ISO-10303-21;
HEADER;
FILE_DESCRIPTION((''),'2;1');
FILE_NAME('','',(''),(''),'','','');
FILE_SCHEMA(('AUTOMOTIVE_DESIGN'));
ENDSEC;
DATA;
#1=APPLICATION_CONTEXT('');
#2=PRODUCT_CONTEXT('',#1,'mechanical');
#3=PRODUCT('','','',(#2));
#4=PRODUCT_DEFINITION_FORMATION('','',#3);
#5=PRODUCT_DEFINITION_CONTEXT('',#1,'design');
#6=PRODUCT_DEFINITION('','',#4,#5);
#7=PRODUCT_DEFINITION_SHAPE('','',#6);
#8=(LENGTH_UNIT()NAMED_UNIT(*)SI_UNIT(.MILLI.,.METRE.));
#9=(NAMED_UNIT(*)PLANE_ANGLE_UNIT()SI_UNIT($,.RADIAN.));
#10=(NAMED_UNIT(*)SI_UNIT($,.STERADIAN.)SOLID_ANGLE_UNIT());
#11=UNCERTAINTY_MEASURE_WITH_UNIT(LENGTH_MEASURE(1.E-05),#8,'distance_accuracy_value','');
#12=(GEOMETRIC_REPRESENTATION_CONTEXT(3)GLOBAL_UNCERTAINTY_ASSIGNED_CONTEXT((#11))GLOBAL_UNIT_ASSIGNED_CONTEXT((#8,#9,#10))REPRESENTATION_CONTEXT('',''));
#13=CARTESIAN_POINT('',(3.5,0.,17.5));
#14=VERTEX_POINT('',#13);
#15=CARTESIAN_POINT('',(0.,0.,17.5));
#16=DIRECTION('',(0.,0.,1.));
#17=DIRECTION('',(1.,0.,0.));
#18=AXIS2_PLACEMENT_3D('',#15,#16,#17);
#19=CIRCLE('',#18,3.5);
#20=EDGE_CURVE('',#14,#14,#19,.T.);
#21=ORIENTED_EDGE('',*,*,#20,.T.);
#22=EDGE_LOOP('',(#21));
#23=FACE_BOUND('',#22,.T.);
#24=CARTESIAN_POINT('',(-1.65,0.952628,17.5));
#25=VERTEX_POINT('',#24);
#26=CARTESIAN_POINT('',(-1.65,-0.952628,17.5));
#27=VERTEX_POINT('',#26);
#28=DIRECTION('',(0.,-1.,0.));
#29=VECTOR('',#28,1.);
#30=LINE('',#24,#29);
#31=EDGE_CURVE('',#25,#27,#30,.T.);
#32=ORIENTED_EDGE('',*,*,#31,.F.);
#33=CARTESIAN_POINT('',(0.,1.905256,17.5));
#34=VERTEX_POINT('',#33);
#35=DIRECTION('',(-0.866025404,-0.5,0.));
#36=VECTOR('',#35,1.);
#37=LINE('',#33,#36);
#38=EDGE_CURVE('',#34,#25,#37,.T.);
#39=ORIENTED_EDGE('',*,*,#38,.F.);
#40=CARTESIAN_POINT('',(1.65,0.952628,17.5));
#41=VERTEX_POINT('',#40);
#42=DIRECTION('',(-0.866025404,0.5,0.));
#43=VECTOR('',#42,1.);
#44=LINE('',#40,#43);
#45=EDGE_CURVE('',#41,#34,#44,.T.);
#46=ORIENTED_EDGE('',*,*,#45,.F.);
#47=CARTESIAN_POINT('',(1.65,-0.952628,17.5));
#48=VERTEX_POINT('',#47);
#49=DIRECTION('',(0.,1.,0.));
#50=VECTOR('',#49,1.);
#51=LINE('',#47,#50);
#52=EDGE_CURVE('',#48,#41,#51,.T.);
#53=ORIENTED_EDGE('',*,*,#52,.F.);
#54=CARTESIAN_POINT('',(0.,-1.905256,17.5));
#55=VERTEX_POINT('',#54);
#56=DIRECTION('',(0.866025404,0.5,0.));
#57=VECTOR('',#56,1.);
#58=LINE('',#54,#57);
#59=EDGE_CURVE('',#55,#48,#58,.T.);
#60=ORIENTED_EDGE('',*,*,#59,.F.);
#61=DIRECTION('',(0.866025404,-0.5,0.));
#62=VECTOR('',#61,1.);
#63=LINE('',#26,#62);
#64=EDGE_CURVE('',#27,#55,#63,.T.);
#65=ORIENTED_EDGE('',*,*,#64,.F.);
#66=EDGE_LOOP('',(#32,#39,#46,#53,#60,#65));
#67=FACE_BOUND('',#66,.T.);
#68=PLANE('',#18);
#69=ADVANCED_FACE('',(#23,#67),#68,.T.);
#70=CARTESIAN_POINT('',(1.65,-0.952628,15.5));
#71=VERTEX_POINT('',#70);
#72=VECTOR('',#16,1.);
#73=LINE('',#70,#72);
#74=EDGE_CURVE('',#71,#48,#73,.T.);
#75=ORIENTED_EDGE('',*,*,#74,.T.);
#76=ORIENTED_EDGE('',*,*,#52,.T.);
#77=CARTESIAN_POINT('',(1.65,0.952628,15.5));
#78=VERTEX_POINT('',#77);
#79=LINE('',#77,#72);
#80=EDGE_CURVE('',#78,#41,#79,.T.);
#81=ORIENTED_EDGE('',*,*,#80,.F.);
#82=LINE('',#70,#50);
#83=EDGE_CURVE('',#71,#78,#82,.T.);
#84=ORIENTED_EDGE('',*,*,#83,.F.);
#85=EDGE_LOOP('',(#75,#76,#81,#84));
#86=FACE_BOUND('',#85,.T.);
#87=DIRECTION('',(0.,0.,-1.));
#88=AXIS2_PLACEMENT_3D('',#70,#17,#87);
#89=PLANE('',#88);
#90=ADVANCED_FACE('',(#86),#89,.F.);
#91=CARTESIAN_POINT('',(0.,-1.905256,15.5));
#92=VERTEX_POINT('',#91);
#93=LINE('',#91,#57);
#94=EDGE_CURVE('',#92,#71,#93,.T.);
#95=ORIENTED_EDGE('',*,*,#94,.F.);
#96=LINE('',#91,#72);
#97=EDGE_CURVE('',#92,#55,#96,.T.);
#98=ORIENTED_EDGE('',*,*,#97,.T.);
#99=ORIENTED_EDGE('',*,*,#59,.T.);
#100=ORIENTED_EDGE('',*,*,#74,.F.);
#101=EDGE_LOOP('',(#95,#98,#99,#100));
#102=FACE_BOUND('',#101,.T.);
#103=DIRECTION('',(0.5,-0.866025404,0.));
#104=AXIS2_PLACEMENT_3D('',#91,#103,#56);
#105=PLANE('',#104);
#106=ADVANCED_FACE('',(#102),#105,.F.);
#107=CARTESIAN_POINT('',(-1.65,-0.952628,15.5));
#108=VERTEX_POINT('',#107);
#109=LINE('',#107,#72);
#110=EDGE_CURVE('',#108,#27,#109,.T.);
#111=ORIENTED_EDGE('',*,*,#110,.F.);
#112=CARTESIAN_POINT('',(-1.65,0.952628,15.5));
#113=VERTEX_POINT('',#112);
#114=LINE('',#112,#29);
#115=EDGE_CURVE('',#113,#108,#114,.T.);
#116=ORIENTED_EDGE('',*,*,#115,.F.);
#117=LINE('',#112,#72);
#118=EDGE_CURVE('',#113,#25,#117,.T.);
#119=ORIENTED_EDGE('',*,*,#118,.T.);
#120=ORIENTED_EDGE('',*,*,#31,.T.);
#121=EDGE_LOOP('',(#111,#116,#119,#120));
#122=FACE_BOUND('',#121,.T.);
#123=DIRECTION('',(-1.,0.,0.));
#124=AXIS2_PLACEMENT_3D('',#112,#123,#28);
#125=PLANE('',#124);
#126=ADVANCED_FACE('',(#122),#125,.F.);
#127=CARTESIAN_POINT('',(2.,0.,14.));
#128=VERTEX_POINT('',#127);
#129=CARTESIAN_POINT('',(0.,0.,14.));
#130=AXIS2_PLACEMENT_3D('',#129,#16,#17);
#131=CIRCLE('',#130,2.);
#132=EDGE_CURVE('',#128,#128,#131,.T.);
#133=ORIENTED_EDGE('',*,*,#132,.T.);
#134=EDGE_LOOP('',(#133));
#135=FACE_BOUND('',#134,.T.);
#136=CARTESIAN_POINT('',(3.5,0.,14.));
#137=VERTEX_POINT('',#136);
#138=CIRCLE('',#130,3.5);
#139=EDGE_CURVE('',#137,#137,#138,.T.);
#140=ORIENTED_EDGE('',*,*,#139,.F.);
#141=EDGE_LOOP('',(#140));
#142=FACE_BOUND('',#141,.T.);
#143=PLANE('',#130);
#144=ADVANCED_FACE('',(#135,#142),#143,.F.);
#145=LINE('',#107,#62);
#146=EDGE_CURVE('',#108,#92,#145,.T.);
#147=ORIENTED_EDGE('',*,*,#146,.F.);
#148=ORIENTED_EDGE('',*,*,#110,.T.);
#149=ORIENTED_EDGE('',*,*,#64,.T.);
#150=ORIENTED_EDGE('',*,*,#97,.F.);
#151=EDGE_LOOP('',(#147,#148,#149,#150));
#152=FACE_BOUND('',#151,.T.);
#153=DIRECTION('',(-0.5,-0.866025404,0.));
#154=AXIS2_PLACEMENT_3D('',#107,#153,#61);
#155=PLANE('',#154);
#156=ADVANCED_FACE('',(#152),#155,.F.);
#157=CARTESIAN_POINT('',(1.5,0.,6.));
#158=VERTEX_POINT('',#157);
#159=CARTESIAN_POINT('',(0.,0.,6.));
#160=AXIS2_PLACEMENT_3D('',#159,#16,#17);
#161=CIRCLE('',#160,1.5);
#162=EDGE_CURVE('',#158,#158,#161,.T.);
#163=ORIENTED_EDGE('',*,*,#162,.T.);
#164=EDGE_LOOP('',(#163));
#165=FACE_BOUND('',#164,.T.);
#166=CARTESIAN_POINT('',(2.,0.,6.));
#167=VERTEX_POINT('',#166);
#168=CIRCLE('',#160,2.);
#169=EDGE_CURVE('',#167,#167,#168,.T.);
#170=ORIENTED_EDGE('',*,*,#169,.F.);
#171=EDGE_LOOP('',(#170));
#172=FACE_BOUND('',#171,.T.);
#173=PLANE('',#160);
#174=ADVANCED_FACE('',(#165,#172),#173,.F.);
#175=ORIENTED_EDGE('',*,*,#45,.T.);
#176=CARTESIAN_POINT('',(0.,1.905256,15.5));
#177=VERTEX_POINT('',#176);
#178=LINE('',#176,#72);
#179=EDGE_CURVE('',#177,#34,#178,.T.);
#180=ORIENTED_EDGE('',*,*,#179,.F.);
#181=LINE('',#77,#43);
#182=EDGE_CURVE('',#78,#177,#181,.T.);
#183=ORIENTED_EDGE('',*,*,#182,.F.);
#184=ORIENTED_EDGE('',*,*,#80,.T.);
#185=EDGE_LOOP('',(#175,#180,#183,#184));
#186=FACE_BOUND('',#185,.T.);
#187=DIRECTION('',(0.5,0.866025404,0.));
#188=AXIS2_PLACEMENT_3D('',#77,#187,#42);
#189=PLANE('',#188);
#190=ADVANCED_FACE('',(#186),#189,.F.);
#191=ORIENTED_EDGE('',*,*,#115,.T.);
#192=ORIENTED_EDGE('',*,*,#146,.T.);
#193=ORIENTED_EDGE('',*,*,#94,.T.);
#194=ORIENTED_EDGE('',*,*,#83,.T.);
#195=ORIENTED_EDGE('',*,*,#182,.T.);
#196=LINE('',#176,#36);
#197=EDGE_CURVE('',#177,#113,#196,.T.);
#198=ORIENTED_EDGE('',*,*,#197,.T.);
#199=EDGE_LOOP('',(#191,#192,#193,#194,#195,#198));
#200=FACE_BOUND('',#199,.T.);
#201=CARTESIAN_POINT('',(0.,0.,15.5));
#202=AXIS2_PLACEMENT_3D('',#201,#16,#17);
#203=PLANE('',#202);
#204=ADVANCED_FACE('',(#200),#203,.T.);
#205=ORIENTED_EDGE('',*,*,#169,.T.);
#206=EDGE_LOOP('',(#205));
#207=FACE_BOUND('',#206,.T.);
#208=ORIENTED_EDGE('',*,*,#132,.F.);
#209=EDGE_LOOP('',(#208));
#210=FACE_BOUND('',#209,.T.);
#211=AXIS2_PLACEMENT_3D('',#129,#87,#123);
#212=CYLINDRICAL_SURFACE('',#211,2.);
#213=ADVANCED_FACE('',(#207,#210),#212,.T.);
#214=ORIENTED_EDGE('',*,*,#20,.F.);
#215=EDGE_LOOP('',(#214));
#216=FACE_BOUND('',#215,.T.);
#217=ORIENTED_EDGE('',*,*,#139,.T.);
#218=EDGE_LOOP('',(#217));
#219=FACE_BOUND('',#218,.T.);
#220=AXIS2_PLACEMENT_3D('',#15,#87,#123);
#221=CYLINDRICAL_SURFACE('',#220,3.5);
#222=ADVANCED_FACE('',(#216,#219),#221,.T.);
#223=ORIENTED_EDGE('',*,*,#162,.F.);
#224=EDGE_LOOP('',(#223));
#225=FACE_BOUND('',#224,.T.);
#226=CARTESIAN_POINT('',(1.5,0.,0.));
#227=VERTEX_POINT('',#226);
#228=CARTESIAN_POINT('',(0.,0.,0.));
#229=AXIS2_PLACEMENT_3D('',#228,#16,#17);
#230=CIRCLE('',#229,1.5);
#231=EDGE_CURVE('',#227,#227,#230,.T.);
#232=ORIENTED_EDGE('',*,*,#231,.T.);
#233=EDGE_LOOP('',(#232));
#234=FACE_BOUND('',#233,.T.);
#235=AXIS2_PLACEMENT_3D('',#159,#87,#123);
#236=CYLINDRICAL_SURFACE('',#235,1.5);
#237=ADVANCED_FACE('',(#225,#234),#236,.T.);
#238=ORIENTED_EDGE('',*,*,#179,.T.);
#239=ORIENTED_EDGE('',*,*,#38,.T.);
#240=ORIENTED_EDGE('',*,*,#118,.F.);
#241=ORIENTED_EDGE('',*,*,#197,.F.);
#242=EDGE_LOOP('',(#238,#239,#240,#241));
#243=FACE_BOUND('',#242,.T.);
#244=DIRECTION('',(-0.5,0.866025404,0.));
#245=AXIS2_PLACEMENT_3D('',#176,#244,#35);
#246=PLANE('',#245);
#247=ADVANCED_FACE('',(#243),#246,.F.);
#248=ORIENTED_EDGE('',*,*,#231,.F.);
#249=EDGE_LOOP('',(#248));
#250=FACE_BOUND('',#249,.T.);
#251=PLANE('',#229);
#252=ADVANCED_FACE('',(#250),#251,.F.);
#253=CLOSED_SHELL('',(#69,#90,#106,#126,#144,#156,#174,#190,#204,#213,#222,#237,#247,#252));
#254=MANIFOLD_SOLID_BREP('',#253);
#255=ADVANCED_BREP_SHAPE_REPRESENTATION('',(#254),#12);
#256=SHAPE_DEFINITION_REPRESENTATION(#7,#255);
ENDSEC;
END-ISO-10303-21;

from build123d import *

# Parameters (mm, degrees)
SKETCH_1_R          = 1.5
EXTRUDE_1_DEPTH     = 6
SKETCH_2_R          = 2
EXTRUDE_2_DEPTH     = 8
SKETCH_3_R          = 3.5
EXTRUDE_3_DEPTH     = 3.5
CUT_EXTRUDE_1_DEPTH = 2


with BuildPart() as part:
    # 草图1 → 凸台-拉伸1 (new body)
    with BuildSketch(Plane.XY):
        Circle(SKETCH_1_R)
    extrude(amount=EXTRUDE_1_DEPTH)

    # 草图2 → 凸台-拉伸2 (add)
    with BuildSketch(Plane.XY.offset(6)):
        Circle(SKETCH_2_R)
    extrude(amount=EXTRUDE_2_DEPTH)

    # 草图3 → 凸台-拉伸3 (add)
    with BuildSketch(Plane.XY.offset(14)):
        Circle(SKETCH_3_R)
    extrude(amount=EXTRUDE_3_DEPTH)

    # 草图4 → 切除-拉伸1 (cut)
    with BuildSketch(Plane.XY.offset(17.5)):
        Polygon((0, 1.905255888), (-1.65, 0.952627944), (-1.65, -0.952627944), (0, -1.905255888), (1.65, -0.952627944), (1.65, 0.952627944), align=None)
    extrude(amount=-CUT_EXTRUDE_1_DEPTH, mode=Mode.SUBTRACT)


solid = part.part
